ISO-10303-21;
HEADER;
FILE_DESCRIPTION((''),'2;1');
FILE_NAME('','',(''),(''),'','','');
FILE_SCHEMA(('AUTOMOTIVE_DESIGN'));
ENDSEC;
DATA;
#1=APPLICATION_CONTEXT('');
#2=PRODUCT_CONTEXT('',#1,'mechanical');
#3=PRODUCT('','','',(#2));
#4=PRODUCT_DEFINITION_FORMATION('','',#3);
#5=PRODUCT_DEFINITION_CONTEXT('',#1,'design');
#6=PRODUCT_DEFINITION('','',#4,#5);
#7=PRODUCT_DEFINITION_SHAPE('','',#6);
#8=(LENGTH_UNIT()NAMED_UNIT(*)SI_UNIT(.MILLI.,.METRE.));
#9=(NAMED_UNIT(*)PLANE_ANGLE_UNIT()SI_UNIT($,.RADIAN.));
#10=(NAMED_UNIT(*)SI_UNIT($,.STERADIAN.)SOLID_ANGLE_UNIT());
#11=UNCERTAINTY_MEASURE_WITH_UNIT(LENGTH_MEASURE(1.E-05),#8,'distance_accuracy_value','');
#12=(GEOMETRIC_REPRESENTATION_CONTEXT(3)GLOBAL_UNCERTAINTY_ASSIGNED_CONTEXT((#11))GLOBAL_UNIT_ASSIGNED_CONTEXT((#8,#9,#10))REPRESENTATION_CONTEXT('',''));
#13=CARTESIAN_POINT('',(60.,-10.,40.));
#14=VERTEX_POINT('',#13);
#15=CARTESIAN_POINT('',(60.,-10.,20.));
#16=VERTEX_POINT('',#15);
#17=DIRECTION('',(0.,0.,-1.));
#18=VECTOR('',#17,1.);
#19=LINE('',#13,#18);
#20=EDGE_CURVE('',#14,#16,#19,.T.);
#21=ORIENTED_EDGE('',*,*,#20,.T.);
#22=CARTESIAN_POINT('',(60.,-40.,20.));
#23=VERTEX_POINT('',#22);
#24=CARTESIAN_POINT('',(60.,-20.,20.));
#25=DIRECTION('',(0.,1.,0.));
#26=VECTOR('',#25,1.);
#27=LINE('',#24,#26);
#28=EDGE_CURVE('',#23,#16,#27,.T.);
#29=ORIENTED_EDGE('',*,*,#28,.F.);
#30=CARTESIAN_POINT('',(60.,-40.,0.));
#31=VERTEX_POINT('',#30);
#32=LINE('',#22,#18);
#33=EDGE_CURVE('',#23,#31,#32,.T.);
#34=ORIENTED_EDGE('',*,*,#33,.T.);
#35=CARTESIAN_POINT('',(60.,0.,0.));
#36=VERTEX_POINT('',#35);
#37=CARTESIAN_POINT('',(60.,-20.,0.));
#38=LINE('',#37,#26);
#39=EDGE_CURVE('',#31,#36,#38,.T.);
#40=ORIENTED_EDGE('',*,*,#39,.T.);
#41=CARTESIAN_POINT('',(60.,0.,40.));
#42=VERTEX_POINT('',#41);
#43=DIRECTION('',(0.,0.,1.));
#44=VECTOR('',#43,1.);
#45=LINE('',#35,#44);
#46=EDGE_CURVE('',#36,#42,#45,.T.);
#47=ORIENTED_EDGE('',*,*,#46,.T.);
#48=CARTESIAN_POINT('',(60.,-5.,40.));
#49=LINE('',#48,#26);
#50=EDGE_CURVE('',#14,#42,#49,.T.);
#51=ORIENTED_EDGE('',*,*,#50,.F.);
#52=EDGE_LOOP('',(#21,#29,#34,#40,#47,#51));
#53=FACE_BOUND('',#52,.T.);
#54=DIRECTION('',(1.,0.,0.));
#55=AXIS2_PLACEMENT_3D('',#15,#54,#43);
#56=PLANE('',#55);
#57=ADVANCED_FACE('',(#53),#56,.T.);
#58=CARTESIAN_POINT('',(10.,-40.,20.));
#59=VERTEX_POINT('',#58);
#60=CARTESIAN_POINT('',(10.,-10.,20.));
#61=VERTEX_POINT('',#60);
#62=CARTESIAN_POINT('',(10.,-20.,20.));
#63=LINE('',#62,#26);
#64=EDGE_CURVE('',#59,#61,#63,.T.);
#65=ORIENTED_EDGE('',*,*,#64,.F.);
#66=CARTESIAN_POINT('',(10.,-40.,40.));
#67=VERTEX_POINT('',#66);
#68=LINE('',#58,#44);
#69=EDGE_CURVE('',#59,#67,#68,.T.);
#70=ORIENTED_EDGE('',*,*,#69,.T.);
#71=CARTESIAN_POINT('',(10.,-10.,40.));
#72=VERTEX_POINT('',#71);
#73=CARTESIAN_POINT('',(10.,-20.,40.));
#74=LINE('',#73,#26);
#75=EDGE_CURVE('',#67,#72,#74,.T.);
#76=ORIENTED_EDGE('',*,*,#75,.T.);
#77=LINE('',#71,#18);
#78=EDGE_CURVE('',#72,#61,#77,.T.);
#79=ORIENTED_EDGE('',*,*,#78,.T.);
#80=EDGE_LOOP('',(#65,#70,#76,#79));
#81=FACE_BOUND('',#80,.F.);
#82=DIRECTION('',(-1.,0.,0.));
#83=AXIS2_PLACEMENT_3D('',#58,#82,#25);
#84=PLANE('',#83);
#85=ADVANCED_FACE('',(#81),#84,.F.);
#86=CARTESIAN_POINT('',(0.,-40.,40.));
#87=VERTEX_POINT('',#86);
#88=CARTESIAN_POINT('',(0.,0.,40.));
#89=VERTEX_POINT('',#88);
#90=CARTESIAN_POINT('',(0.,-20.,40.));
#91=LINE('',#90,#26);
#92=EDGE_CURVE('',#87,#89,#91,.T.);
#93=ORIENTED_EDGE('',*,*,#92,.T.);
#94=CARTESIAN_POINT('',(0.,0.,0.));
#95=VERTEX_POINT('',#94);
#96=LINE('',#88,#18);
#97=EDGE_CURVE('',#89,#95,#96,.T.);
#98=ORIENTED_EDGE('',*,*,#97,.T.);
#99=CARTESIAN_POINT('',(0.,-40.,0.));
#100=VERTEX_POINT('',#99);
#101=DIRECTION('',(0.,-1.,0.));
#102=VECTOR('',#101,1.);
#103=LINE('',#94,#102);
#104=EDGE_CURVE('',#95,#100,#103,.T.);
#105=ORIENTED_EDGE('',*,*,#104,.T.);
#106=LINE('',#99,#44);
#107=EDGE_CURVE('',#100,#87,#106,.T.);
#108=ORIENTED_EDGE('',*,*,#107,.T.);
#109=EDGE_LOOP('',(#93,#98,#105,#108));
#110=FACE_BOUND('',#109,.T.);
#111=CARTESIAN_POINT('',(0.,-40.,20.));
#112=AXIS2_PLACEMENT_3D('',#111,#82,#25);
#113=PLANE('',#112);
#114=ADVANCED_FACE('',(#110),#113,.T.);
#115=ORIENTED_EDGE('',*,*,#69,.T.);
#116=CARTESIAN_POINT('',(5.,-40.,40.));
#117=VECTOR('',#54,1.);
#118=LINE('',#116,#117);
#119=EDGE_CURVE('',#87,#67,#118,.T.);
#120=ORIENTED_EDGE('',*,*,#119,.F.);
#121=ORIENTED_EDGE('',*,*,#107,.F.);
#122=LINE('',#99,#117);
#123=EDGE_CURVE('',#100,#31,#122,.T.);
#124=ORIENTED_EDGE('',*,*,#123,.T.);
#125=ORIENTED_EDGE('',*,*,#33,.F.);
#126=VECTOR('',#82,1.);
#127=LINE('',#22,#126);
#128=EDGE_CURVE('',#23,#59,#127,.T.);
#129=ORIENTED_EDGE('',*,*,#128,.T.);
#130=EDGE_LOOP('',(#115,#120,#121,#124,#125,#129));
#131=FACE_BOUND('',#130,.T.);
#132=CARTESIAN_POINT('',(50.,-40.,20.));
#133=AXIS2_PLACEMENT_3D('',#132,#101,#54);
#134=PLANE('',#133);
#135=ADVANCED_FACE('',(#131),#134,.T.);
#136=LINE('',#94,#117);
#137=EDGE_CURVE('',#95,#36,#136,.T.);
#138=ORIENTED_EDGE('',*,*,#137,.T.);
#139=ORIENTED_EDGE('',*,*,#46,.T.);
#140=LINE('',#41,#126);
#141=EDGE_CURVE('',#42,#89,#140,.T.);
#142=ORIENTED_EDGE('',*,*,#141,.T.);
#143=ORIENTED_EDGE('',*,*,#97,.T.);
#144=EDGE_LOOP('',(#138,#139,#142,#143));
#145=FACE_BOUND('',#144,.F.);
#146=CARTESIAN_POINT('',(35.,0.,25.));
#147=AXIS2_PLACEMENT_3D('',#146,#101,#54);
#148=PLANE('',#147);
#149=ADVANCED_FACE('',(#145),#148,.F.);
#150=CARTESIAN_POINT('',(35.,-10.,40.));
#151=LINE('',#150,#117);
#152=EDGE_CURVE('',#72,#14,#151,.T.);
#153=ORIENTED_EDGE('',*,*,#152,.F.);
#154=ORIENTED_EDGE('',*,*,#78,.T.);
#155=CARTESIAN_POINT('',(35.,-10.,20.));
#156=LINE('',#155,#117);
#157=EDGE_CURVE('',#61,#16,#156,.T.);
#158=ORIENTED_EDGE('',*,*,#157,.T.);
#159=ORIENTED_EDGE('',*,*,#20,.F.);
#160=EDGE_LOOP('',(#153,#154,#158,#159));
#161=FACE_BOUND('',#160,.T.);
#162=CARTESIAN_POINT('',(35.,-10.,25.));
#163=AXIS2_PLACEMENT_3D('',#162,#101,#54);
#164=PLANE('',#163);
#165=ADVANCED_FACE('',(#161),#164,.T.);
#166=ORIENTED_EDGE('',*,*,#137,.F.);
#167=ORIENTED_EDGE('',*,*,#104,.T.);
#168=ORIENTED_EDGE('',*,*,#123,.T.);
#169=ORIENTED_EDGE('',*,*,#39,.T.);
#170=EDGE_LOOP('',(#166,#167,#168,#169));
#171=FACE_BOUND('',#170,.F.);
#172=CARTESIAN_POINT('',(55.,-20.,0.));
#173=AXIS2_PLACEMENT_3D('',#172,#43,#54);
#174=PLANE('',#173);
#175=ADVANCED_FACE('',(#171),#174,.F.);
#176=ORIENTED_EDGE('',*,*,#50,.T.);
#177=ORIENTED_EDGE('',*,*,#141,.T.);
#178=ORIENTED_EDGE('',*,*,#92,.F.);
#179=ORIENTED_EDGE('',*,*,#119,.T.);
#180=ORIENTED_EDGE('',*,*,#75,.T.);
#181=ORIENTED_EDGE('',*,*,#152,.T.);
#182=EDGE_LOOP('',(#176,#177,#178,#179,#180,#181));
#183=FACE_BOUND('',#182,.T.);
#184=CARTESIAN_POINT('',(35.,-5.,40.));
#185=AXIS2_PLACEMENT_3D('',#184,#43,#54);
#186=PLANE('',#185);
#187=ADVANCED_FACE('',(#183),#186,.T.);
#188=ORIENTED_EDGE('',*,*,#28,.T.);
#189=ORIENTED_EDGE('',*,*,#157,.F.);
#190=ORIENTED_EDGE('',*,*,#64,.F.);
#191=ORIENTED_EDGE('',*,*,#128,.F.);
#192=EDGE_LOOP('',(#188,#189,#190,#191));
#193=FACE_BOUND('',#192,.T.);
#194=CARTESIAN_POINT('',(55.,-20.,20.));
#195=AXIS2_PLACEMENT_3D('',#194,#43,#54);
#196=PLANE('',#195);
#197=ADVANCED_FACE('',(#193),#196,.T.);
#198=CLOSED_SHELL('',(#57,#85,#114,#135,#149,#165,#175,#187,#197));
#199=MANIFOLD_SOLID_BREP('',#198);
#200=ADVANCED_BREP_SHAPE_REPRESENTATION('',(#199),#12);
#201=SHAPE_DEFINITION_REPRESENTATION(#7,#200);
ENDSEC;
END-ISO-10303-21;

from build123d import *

# Parameters (mm, degrees)
F0_W      = 50
F0_H      = 40
F1_DEPTH  = 40
F2_W      = 50
F2_H      = 40
F3_DEPTH  = 20
F4_W      = 10
F4_H      = 40
F5_DEPTH  = 20
F6_W      = 50
F6_H      = 10
F7_DEPTH  = 10
F8_W      = 10
F8_H      = 40
F9_DEPTH  = 20
F10_W     = 50
F10_H     = 10
F11_DEPTH = 10


with BuildPart() as f1:
    # F0 (on Front) → F1 (new body)
    with BuildSketch(Plane.XZ):
        with Locations((25, 20)):
            Rectangle(F0_W, F0_H)
    extrude(amount=F1_DEPTH)

    # F2 (on face) → F3 (cut)
    with BuildSketch(Plane.XY.offset(40)):
        with Locations((25, -20)):
            Rectangle(F2_W, F2_H)
    extrude(amount=-F3_DEPTH, mode=Mode.SUBTRACT)

    # F4 (on face) → F5 (join)
    with BuildSketch(Plane.XY.offset(20)):
        with Locations((5, -20)):
            Rectangle(F4_W, F4_H)
    extrude(amount=F5_DEPTH)

    # F6 (on face) → F7 (join)
    with BuildSketch(Plane.XY.offset(40)):
        with Locations((35, -5)):
            Rectangle(F6_W, F6_H)
    extrude(amount=-F7_DEPTH)

    # F8 (on face) → F9 (join)
    with BuildSketch(Plane.XY.offset(20)):
        with Locations((55, -20)):
            Rectangle(F8_W, F8_H)
    extrude(amount=-F9_DEPTH)

    # F10 (on face) → F11 (join)
    with BuildSketch(Plane.XZ.offset(10)):
        with Locations((35, 25)):
            Rectangle(F10_W, F10_H)
    extrude(amount=-F11_DEPTH)


solid = f1.part
